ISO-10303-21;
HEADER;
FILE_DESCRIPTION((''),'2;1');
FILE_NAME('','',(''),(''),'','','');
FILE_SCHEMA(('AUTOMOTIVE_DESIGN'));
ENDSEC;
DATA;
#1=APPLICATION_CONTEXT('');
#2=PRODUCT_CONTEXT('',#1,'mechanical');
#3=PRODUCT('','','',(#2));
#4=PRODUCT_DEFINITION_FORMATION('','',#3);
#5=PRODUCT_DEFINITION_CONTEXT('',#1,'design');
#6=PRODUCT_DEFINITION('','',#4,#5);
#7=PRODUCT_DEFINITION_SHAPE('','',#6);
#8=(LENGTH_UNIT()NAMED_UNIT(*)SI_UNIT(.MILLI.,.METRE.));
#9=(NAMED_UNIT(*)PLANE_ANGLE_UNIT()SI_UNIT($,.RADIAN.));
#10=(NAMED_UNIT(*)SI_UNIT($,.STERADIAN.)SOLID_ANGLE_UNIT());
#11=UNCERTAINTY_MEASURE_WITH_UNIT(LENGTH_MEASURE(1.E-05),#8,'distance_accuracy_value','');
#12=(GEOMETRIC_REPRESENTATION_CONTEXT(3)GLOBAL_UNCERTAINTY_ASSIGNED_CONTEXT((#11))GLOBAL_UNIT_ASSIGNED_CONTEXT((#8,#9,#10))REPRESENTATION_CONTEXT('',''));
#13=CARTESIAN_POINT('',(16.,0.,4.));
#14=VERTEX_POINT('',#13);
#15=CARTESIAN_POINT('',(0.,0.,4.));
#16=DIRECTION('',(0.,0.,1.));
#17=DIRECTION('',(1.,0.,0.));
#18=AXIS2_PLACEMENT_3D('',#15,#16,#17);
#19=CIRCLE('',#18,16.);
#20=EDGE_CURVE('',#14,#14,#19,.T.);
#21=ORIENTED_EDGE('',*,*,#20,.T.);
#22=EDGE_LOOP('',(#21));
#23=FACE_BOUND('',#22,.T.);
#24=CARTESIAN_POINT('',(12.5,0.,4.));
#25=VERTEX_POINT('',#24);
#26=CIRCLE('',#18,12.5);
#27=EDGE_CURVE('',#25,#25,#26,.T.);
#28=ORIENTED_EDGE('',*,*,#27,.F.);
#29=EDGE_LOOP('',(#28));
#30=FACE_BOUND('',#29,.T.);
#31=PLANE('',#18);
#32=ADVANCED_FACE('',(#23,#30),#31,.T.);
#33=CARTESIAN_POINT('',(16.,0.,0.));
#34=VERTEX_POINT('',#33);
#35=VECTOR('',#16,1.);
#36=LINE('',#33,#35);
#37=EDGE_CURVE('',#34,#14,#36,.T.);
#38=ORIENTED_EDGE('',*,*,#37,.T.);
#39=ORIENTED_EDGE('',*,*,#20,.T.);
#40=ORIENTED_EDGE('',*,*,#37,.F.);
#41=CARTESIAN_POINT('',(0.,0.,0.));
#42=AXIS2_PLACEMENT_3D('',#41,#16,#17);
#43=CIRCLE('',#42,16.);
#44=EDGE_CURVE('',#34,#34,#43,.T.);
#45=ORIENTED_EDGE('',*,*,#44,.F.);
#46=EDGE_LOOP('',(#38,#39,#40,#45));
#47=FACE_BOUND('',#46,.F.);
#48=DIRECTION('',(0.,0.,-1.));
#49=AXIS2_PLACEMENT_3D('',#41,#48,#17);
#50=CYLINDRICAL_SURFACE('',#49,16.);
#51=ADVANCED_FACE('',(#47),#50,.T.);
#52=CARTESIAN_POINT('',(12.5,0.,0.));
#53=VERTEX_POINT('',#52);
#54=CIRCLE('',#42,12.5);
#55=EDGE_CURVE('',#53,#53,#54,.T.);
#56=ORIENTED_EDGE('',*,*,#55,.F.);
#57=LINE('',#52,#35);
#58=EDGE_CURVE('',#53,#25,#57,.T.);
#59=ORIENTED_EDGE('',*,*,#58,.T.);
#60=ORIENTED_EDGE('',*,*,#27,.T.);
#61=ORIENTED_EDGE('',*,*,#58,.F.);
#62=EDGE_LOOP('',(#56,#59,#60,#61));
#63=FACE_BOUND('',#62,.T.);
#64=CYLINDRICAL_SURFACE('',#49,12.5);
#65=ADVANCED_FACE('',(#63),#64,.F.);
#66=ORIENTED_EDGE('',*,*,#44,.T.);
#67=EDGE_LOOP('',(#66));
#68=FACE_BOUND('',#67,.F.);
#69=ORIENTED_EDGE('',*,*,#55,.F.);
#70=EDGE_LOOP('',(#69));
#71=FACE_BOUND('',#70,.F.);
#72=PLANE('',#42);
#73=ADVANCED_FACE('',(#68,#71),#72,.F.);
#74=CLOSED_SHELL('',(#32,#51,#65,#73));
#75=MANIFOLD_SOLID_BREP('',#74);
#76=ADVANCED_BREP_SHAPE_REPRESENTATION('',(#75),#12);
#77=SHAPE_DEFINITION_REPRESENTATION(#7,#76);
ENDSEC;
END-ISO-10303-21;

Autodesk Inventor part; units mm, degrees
ref_plane "YZ Plane" through (0, 0, 0) normal (1, 0, 0) x (0, 1, 0)
ref_plane "XZ Plane" through (0, 0, 0) normal (0, 1, 0) x (-1, 0, 0)
ref_plane "XY Plane" through (0, 0, 0) normal (0, 0, 1) x (1, 0, 0)
sketch "Sketch1" plane through (0, 0, 0) normal (0, 0, 1) x (1, 0, 0)
  circle A0 centre (0, 0) radius 12.5
  circle A1 centre (0, 0) radius 16
  dimension "d0" = 25
  dimension "d1" = 32
extrude "Extrusion1" add sketch "Sketch1" along normal blind 4
properties part number "bearing25x32x4"
